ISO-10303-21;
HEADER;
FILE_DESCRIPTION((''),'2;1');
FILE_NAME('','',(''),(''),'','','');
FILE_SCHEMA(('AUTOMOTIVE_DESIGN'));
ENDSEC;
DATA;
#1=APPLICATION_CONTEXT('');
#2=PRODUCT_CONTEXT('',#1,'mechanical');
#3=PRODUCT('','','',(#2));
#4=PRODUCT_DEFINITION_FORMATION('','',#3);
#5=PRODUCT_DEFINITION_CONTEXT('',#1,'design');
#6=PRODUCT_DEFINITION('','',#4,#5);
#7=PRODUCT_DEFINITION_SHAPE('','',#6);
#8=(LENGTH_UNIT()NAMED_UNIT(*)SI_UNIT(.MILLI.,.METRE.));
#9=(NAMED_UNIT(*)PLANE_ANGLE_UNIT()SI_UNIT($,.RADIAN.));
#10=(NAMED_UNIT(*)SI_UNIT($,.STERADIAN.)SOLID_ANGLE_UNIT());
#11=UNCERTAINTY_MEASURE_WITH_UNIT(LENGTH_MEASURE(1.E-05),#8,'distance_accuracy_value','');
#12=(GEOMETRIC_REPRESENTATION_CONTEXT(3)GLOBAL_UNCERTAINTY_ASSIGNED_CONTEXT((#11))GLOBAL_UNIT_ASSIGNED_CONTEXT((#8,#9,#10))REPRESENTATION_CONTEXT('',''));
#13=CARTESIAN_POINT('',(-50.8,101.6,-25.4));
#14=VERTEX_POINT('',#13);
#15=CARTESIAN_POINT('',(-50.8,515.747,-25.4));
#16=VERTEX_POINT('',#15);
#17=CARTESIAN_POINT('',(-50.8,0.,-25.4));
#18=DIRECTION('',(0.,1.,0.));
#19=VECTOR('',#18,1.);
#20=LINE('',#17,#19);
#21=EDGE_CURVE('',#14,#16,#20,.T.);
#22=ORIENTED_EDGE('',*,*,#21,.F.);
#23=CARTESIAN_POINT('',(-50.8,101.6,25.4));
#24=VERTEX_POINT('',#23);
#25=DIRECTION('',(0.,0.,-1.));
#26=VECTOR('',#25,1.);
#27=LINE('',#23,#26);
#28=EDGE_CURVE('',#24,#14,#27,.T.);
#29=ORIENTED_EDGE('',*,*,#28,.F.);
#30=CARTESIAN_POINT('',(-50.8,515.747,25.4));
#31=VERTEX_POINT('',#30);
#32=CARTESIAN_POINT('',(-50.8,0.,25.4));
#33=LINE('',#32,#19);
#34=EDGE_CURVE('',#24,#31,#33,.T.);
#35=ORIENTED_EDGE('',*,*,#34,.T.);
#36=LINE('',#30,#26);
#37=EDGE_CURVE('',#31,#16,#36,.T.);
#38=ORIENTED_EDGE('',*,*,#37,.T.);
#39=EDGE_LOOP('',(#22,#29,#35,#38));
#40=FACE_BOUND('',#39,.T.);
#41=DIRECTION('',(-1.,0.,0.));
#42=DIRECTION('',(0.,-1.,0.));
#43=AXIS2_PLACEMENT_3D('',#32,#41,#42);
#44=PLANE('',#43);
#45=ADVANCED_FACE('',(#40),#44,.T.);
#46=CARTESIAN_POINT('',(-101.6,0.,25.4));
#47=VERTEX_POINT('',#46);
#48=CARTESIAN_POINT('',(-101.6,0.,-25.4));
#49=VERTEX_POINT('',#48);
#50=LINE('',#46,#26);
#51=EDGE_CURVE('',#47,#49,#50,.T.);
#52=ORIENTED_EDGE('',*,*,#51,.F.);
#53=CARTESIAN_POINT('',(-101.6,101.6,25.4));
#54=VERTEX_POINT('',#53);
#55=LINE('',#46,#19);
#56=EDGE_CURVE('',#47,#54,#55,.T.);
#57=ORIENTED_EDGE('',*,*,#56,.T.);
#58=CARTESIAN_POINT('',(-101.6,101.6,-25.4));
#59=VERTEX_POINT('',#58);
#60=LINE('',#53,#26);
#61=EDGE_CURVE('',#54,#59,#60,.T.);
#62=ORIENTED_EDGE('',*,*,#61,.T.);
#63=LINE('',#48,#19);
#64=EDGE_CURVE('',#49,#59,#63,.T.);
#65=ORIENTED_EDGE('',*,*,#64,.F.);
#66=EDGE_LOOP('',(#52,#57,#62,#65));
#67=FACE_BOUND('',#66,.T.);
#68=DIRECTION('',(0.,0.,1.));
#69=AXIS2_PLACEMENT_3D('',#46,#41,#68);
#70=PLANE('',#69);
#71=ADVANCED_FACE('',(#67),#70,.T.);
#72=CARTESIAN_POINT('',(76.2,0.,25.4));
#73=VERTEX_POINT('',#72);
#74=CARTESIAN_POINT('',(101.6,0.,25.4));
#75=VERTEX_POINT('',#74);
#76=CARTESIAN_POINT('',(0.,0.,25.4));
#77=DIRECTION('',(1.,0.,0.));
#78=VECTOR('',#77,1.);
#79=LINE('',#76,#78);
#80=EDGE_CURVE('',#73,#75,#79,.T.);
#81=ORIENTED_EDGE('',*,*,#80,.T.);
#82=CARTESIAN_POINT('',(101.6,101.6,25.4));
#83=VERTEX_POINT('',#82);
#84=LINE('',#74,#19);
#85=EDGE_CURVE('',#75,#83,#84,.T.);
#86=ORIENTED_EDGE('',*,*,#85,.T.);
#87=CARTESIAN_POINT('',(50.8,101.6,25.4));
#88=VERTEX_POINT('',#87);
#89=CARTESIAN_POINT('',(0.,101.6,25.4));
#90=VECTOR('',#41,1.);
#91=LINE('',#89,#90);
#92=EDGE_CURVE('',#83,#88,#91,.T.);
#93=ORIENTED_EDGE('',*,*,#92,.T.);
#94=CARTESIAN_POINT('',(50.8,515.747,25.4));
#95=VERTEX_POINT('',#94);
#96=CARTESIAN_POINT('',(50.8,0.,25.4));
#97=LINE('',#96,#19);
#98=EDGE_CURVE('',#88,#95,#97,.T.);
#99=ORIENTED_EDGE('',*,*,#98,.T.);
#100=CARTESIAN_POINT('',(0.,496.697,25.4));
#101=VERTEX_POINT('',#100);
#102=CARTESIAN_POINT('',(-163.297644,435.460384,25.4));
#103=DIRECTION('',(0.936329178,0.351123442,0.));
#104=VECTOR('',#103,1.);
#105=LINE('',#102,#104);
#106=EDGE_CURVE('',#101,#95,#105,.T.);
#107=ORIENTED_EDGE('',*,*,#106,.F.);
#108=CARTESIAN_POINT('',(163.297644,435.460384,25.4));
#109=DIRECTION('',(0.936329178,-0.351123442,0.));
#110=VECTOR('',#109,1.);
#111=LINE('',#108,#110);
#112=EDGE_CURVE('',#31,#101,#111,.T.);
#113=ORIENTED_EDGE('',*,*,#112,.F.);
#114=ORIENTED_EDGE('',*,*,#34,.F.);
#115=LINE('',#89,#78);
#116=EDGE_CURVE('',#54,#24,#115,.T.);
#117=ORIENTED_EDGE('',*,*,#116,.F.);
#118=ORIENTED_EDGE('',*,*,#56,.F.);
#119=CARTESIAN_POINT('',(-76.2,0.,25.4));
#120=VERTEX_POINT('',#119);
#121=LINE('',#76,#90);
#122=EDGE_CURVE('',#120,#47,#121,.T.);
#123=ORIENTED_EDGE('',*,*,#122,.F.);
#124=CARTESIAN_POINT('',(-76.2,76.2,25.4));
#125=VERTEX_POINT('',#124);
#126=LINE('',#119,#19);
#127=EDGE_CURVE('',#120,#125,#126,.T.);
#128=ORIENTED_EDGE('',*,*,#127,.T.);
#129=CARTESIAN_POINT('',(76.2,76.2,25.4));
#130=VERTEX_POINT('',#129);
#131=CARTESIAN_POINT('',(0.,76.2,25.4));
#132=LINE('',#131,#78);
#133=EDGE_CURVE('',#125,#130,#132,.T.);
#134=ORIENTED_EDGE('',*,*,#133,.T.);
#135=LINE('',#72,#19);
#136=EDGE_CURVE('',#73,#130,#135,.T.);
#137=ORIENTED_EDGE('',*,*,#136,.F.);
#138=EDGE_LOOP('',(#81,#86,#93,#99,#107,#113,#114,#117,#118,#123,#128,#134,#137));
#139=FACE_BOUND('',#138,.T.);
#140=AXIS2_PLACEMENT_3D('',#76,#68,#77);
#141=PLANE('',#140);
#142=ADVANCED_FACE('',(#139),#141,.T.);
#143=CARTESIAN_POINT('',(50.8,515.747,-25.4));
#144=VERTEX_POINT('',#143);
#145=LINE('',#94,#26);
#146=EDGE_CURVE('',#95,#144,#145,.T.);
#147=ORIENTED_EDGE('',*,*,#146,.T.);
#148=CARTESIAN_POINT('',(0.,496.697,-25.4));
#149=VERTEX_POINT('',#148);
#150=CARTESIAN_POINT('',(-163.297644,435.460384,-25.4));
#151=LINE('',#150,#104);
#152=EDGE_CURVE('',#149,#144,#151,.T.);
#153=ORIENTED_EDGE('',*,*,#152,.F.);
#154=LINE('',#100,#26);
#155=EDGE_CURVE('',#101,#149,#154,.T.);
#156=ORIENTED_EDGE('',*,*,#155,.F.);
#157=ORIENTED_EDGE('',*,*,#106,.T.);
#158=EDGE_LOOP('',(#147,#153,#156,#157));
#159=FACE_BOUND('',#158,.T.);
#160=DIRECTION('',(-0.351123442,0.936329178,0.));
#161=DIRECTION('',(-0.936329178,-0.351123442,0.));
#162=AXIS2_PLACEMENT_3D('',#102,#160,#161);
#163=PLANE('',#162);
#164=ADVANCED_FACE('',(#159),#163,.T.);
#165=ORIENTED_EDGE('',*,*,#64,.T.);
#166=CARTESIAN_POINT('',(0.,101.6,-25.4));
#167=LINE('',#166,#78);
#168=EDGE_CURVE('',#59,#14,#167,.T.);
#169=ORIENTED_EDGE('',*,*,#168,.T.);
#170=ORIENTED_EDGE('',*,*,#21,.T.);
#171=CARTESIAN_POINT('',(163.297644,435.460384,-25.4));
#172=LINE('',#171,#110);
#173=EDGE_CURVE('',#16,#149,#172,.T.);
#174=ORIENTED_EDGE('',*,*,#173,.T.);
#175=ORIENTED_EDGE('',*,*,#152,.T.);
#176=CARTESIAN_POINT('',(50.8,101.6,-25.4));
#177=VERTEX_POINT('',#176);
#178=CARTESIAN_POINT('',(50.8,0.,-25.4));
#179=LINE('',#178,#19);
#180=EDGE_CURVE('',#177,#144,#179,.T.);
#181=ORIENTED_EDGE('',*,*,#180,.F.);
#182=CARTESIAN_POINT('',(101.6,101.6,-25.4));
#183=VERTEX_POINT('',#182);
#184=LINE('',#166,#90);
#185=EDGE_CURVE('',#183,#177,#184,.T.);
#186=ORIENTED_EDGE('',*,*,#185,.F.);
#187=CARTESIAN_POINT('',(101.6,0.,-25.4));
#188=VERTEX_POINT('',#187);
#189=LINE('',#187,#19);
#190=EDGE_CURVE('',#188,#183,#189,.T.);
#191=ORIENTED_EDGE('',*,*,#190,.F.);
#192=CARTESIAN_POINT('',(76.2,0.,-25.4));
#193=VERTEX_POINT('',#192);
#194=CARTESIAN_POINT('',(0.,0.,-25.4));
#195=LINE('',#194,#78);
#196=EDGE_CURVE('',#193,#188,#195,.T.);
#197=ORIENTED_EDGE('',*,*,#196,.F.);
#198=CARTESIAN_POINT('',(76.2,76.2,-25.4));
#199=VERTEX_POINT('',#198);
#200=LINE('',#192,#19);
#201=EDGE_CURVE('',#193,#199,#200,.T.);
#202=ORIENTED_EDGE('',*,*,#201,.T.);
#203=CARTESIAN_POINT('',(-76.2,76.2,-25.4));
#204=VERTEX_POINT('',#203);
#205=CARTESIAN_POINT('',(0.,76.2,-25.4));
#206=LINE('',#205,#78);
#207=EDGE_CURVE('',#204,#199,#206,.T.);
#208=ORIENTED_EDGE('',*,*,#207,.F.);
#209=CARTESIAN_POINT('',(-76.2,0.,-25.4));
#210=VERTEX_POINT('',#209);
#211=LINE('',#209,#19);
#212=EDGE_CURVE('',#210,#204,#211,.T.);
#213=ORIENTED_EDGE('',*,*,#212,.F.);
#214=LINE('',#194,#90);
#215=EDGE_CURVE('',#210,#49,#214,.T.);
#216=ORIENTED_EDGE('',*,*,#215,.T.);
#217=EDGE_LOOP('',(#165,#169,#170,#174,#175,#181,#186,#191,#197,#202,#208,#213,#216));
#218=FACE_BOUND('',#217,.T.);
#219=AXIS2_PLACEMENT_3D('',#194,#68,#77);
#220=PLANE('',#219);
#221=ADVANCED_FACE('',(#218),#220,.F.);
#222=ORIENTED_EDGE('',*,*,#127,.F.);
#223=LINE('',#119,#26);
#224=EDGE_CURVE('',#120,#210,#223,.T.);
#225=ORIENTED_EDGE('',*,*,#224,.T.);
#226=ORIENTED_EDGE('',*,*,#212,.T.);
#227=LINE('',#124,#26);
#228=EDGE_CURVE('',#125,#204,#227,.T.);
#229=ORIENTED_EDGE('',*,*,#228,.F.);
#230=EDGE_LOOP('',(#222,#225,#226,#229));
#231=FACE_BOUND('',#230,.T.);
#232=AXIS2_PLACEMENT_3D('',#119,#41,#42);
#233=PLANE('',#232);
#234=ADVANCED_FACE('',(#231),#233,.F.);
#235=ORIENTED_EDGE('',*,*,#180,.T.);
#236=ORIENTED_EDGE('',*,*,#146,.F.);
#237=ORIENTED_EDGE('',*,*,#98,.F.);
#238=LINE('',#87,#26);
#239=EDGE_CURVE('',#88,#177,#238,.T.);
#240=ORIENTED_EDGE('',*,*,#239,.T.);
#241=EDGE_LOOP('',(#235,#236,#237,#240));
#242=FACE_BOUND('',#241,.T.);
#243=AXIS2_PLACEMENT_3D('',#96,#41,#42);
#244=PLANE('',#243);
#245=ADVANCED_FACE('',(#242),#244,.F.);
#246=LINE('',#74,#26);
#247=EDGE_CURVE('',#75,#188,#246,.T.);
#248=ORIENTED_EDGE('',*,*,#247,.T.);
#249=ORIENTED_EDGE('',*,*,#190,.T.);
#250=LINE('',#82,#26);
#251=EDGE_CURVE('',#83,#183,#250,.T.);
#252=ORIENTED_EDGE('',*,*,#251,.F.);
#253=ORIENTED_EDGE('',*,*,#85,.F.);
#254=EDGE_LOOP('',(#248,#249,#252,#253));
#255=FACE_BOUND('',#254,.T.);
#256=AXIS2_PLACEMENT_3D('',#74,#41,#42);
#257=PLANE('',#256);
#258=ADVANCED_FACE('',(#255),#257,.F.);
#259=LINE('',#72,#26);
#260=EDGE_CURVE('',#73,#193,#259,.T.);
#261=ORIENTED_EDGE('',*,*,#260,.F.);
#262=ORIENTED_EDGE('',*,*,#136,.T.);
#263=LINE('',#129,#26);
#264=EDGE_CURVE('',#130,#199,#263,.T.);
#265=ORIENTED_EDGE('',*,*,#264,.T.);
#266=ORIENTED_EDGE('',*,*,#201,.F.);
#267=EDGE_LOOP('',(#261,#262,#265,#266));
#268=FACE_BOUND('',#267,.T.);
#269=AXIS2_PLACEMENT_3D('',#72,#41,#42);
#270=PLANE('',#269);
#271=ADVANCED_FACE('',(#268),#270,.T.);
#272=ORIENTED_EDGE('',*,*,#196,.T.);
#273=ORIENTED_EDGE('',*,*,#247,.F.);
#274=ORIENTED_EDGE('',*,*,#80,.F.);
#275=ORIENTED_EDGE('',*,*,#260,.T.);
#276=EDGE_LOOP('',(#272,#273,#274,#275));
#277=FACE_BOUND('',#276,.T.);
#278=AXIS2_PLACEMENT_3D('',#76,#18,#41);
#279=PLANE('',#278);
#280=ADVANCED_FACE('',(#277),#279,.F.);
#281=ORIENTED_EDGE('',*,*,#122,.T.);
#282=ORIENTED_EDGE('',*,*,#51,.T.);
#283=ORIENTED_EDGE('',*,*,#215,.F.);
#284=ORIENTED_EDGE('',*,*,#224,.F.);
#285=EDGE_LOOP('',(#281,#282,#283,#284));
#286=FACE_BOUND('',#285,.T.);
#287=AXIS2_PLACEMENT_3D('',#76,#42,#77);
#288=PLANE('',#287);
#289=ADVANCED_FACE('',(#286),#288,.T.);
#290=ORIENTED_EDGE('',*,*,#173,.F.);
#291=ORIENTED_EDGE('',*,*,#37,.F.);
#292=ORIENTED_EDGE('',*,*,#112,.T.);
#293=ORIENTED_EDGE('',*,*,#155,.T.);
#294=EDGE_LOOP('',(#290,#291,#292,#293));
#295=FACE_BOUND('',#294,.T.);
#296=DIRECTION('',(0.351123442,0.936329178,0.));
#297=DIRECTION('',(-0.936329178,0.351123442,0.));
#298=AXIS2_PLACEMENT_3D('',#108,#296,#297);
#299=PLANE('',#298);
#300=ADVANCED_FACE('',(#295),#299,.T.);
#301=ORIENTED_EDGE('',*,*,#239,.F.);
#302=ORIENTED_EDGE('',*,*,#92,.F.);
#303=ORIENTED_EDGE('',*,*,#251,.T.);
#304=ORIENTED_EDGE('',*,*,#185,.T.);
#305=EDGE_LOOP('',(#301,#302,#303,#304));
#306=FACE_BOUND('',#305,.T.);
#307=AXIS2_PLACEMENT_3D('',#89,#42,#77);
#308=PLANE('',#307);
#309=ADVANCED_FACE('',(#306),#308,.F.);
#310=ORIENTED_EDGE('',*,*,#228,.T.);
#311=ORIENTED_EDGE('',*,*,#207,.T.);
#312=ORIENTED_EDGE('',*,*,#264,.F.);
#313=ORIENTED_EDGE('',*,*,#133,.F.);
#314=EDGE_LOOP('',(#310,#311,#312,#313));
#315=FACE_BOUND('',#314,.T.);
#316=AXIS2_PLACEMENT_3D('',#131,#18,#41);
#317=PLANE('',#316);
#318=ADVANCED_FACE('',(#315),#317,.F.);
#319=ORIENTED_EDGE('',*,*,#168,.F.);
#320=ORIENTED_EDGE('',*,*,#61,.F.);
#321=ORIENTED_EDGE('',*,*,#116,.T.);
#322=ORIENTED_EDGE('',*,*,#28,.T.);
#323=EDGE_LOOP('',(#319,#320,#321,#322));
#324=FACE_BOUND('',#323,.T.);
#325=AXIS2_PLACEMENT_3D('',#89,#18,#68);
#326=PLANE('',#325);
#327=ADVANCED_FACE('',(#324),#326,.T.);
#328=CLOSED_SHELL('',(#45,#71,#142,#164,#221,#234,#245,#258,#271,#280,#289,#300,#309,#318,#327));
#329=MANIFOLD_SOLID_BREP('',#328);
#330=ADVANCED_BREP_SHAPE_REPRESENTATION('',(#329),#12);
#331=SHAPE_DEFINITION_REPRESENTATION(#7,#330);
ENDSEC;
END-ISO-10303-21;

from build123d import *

# Parameters (mm, degrees)
BOSS_EXTRUDE1_DEPTH = 25.4


with BuildPart() as part:
    # Sketch1 → Boss-Extrude1 (new body, symmetric)
    with BuildSketch(Plane.XY):
        Polygon((0, 496.697), (-50.8, 515.747), (-50.8, 101.6), (-101.6, 101.6), (-101.6, 0), (-76.2, 0), (-76.2, 76.2), (0, 76.2), (76.2, 76.2), (76.2, 0), (101.6, 0), (101.6, 101.6), (50.8, 101.6), (50.8, 515.747), align=None)
    extrude(amount=BOSS_EXTRUDE1_DEPTH, both=True)


solid = part.part
